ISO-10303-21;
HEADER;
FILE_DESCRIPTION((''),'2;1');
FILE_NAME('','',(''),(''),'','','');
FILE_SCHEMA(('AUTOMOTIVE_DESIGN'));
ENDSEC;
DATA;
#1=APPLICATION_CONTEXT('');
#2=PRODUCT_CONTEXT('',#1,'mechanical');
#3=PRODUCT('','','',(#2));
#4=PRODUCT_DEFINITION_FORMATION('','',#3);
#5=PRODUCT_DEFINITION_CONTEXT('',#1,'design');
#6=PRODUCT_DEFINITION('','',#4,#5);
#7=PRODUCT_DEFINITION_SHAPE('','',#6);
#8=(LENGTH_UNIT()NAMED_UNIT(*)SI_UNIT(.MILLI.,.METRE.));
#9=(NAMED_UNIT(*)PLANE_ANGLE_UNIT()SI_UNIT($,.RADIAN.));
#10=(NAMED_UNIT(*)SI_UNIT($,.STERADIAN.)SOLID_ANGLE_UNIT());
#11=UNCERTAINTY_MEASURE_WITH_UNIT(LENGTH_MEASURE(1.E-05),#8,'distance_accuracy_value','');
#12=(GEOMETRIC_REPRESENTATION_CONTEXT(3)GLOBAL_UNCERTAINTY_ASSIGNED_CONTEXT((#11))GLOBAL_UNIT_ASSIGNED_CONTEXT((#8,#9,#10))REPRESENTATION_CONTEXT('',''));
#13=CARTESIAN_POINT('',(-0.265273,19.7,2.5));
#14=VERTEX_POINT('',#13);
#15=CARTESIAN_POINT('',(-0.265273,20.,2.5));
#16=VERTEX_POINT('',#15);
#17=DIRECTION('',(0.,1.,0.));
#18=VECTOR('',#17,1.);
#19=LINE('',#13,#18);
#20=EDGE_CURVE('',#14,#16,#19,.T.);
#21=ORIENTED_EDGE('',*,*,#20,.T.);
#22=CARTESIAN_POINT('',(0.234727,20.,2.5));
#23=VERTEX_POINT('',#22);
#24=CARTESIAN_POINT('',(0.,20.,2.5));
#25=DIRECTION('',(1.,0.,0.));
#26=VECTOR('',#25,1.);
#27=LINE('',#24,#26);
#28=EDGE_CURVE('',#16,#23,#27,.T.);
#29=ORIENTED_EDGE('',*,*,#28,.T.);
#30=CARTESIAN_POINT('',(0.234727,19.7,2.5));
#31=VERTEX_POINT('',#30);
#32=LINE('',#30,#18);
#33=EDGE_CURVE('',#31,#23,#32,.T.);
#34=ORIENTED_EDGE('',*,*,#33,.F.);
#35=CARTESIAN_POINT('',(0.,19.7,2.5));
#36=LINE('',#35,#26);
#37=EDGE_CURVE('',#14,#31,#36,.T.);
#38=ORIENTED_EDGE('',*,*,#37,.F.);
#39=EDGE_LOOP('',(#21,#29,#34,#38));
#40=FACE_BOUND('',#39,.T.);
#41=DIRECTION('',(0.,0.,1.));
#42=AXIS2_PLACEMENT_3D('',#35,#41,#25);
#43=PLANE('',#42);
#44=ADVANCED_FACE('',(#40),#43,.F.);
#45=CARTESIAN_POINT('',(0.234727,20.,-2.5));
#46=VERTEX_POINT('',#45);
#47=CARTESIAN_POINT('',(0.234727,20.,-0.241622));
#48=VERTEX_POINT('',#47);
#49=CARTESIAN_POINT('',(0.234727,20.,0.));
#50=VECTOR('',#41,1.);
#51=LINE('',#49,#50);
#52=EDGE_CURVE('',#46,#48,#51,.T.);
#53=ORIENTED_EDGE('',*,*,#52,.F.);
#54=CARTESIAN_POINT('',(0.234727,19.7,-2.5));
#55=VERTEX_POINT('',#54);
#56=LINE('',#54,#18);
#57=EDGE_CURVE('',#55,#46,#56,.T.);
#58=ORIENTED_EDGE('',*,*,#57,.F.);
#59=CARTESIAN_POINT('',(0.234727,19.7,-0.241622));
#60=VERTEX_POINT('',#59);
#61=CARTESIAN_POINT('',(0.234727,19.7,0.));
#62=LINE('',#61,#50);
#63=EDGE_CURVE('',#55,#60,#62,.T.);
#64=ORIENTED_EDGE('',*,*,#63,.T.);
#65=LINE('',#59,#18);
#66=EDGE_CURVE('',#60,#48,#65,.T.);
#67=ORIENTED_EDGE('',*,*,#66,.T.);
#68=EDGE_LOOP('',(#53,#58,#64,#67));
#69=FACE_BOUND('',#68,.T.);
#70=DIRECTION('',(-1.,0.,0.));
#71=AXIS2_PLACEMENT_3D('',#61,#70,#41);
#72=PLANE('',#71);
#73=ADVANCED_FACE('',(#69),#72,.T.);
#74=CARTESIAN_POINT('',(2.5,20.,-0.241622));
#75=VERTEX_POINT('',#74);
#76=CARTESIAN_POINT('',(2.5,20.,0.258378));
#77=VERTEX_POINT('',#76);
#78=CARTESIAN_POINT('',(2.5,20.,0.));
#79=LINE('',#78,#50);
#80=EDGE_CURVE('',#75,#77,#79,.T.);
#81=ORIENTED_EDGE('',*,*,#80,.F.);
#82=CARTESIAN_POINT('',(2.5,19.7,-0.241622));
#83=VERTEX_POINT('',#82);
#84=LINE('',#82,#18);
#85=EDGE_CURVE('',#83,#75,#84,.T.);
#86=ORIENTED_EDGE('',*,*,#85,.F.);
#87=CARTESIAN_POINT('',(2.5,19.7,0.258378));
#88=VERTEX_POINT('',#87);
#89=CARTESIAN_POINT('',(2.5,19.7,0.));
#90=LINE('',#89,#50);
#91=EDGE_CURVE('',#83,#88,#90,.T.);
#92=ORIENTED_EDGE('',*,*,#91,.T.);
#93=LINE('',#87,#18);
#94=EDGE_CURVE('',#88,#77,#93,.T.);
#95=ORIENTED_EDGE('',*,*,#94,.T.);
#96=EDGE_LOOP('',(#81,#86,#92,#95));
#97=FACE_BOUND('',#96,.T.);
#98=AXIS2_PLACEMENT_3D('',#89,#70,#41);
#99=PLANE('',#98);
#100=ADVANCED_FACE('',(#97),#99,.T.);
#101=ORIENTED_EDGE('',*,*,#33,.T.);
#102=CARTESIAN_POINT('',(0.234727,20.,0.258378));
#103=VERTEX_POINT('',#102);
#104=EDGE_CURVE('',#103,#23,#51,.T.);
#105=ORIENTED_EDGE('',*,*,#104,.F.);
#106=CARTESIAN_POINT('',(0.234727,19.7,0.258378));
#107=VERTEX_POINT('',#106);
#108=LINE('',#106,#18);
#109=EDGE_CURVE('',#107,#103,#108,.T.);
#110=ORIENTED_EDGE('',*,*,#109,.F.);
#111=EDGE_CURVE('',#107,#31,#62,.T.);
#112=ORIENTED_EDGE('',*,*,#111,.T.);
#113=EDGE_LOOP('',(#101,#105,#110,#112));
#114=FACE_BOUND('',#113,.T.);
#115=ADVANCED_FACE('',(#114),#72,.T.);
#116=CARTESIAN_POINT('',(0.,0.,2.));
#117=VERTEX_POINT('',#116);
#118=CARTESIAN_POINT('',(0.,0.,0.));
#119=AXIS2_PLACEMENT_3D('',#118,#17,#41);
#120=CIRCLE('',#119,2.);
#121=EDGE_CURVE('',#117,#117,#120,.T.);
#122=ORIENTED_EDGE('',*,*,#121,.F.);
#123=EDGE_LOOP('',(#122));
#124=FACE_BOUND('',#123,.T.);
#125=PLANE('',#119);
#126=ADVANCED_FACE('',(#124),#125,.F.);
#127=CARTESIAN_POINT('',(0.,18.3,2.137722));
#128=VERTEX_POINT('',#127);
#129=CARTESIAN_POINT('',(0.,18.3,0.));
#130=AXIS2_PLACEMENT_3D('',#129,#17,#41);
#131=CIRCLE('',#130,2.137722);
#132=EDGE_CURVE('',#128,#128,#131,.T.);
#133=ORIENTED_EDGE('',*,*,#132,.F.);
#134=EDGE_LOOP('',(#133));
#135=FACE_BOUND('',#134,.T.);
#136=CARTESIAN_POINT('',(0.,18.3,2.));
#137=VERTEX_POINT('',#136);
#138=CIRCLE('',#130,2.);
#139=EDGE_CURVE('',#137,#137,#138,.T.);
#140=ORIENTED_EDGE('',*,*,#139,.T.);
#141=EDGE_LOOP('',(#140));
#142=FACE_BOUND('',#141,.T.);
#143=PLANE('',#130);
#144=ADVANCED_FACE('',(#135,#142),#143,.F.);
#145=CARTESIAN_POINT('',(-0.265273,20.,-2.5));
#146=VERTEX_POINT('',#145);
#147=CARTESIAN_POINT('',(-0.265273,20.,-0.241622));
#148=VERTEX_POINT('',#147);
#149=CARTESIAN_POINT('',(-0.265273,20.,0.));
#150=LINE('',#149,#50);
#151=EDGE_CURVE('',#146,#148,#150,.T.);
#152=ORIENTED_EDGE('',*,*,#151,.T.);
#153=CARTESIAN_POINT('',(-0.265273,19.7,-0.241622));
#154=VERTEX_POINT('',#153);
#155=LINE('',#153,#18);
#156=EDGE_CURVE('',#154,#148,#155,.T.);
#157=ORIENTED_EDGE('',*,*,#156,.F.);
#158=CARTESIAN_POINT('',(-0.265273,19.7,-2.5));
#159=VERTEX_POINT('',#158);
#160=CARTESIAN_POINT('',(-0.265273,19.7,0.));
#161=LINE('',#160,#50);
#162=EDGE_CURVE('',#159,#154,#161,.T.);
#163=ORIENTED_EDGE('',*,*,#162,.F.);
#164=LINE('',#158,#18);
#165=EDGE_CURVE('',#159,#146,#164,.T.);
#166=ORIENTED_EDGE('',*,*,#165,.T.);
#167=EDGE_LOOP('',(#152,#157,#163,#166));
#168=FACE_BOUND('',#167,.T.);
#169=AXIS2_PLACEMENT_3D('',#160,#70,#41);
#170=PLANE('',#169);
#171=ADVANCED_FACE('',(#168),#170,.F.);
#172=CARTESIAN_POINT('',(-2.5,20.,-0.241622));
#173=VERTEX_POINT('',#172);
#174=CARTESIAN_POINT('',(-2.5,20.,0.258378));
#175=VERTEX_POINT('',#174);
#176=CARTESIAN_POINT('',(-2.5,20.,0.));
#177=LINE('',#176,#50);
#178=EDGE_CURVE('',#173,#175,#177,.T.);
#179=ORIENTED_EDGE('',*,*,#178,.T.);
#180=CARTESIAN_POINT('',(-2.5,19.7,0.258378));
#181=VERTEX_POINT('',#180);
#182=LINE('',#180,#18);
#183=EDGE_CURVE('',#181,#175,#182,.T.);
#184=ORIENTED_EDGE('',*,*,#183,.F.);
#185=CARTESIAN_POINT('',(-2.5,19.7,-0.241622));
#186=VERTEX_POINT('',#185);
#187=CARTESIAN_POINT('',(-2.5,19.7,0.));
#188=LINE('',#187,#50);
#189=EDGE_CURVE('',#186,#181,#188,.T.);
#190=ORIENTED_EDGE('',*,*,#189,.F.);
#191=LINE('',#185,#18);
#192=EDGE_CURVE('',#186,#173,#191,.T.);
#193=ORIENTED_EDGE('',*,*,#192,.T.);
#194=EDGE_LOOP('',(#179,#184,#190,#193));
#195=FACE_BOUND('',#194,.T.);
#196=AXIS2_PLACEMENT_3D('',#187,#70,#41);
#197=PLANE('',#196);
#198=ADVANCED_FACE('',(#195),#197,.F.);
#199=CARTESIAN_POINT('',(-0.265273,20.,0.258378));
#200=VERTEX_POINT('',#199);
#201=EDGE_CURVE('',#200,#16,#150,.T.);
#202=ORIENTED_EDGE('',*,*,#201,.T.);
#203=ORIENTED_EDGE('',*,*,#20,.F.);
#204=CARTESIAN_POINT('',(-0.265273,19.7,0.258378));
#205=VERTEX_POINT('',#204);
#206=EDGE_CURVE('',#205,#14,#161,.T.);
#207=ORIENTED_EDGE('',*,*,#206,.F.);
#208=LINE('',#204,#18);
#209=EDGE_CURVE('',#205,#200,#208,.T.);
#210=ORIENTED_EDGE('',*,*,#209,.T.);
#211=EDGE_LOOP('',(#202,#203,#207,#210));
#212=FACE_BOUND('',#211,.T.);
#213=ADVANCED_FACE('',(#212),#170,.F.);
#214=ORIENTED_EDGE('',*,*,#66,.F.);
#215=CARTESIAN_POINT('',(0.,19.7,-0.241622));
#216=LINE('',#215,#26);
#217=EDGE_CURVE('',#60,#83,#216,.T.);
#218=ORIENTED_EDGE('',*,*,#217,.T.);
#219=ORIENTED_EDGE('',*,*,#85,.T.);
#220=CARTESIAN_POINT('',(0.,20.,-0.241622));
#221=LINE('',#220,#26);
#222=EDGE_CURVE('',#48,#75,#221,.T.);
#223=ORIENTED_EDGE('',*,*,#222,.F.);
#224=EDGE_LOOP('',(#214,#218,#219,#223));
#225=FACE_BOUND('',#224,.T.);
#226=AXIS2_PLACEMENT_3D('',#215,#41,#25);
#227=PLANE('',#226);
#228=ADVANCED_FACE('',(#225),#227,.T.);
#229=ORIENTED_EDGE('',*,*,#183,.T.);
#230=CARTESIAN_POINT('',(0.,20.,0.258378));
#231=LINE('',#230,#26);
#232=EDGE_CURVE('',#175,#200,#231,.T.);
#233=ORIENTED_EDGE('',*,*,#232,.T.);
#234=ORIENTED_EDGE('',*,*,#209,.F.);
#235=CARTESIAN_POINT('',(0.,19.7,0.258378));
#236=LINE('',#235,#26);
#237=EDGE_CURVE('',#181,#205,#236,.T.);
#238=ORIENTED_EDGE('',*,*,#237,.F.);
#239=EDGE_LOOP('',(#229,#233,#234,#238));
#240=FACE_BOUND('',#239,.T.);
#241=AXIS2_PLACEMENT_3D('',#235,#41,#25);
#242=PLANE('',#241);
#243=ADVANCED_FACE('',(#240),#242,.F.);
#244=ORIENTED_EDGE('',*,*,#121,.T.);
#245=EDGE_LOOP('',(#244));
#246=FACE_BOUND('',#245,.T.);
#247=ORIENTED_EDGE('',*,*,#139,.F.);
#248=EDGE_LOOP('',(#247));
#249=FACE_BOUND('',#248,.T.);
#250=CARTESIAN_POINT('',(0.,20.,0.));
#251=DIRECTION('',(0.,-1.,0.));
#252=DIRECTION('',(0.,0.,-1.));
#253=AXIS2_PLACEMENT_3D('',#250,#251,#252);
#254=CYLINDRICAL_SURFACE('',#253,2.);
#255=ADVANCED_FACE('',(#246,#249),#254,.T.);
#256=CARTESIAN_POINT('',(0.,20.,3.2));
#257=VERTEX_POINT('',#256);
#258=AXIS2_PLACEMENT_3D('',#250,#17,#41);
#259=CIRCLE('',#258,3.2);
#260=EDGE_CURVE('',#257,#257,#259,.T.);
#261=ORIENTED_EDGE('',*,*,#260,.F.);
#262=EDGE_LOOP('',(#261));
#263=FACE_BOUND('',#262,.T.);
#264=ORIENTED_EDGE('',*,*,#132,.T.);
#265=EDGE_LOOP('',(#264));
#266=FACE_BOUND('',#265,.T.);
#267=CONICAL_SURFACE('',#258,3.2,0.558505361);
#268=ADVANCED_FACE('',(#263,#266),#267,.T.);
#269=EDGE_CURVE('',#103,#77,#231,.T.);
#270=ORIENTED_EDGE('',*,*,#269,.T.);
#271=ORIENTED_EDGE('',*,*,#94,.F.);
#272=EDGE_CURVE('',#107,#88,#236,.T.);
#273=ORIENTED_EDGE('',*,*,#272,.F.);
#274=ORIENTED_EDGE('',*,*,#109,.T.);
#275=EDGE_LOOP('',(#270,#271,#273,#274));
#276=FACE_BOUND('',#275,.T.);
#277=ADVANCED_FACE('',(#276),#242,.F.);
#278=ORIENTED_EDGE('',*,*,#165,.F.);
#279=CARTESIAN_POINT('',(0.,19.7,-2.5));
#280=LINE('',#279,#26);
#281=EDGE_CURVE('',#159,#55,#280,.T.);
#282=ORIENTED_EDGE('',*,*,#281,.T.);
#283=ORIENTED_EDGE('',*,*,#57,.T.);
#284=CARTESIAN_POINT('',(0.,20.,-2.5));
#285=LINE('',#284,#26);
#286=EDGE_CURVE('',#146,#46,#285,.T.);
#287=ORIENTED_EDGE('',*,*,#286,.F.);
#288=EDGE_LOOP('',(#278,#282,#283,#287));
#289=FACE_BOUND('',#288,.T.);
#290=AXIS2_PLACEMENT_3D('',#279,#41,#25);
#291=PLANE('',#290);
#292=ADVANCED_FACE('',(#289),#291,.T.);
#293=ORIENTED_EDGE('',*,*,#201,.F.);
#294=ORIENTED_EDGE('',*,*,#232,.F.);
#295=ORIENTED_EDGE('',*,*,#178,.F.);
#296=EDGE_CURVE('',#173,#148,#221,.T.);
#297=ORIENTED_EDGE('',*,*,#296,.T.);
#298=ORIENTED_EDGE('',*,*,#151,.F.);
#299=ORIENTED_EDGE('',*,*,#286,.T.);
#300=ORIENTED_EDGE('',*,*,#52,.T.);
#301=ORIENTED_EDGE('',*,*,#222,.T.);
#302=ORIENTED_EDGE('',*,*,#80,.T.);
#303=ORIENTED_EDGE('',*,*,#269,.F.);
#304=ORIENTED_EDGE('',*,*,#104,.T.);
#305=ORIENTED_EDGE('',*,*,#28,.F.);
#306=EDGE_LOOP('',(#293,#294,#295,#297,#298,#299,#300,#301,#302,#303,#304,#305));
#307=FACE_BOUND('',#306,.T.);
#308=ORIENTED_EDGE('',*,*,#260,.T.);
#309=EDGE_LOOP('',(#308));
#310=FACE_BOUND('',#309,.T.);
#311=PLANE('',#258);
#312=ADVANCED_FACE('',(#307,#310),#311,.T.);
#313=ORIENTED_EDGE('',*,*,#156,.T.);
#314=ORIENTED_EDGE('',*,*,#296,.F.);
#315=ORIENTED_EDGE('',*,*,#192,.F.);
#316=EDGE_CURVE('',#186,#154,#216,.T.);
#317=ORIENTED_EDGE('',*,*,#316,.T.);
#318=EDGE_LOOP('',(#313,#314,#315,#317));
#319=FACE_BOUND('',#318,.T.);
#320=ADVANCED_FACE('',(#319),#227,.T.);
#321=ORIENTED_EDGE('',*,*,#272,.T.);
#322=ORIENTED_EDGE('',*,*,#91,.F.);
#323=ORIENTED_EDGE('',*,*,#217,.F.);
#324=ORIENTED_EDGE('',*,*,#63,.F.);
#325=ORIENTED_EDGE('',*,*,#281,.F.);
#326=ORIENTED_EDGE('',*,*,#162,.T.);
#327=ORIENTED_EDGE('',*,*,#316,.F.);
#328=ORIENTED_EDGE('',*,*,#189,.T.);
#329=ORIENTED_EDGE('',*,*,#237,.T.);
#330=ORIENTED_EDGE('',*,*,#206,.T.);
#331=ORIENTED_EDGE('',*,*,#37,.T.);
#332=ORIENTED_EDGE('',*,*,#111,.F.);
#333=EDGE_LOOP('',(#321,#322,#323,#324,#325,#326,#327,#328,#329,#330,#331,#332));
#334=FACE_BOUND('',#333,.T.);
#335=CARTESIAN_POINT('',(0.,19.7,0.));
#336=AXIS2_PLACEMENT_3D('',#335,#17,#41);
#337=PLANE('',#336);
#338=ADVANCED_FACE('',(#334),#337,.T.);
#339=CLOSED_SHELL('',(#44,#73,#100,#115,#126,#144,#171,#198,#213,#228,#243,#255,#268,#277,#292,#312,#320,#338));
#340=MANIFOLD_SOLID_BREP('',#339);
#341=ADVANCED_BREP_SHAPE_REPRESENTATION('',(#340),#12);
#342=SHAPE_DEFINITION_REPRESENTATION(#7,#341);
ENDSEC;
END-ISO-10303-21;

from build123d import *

# Parameters (mm, degrees)
SKETCH1_R           = 2
BOSS_EXTRUDE1_DEPTH = 20
SKETCH2_R           = 3.2
BOSS_EXTRUDE2_DEPTH = 1.7
BOSS_EXTRUDE2_TAPER = 32
SKETCH3_W           = 0.5
SKETCH3_H           = 2.258378485
SKETCH3_H_2         = 2.241621515
SKETCH3_W_2         = 2.234727157
SKETCH3_H_3         = 0.5
SKETCH3_W_3         = 2.265272843
CUT_EXTRUDE1_DEPTH  = 0.3


with BuildPart() as part:
    # Sketch1 → Boss-Extrude1 (new body)
    with BuildSketch(Plane(origin=(0, 0, 0), x_dir=(1, 0, 0), z_dir=(0, 1, 0))):
        Circle(SKETCH1_R)
    extrude(amount=BOSS_EXTRUDE1_DEPTH)

    # Sketch2 → Boss-Extrude2 (add)
    with BuildSketch(Plane(origin=(0, 20, 0), x_dir=(1, 0, 0), z_dir=(0, 1, 0))):
        Circle(SKETCH2_R)
    extrude(amount=-BOSS_EXTRUDE2_DEPTH, taper=BOSS_EXTRUDE2_TAPER)

    # Sketch3 → Cut-Extrude1 (cut)
    with BuildSketch(Plane(origin=(0, 20, 0), x_dir=(1, 0, 0), z_dir=(0, 1, 0))):
        with Locations((-0.015272843, 1.370810757)):
            Rectangle(SKETCH3_W, SKETCH3_H)
        with Locations((-0.015272843, -1.379189243)):
            Rectangle(SKETCH3_W, SKETCH3_H_2)
        with Locations((-1.382636421, -0.008378485)):
            Rectangle(SKETCH3_W_2, SKETCH3_H_3)
        with Locations((1.367363579, -0.008378485)):
            Rectangle(SKETCH3_W_3, SKETCH3_H_3)
        with Locations((-0.015272843, -0.008378485)):
            Rectangle(SKETCH3_W, SKETCH3_H_3)
    extrude(amount=-CUT_EXTRUDE1_DEPTH, mode=Mode.SUBTRACT)


solid = part.part
